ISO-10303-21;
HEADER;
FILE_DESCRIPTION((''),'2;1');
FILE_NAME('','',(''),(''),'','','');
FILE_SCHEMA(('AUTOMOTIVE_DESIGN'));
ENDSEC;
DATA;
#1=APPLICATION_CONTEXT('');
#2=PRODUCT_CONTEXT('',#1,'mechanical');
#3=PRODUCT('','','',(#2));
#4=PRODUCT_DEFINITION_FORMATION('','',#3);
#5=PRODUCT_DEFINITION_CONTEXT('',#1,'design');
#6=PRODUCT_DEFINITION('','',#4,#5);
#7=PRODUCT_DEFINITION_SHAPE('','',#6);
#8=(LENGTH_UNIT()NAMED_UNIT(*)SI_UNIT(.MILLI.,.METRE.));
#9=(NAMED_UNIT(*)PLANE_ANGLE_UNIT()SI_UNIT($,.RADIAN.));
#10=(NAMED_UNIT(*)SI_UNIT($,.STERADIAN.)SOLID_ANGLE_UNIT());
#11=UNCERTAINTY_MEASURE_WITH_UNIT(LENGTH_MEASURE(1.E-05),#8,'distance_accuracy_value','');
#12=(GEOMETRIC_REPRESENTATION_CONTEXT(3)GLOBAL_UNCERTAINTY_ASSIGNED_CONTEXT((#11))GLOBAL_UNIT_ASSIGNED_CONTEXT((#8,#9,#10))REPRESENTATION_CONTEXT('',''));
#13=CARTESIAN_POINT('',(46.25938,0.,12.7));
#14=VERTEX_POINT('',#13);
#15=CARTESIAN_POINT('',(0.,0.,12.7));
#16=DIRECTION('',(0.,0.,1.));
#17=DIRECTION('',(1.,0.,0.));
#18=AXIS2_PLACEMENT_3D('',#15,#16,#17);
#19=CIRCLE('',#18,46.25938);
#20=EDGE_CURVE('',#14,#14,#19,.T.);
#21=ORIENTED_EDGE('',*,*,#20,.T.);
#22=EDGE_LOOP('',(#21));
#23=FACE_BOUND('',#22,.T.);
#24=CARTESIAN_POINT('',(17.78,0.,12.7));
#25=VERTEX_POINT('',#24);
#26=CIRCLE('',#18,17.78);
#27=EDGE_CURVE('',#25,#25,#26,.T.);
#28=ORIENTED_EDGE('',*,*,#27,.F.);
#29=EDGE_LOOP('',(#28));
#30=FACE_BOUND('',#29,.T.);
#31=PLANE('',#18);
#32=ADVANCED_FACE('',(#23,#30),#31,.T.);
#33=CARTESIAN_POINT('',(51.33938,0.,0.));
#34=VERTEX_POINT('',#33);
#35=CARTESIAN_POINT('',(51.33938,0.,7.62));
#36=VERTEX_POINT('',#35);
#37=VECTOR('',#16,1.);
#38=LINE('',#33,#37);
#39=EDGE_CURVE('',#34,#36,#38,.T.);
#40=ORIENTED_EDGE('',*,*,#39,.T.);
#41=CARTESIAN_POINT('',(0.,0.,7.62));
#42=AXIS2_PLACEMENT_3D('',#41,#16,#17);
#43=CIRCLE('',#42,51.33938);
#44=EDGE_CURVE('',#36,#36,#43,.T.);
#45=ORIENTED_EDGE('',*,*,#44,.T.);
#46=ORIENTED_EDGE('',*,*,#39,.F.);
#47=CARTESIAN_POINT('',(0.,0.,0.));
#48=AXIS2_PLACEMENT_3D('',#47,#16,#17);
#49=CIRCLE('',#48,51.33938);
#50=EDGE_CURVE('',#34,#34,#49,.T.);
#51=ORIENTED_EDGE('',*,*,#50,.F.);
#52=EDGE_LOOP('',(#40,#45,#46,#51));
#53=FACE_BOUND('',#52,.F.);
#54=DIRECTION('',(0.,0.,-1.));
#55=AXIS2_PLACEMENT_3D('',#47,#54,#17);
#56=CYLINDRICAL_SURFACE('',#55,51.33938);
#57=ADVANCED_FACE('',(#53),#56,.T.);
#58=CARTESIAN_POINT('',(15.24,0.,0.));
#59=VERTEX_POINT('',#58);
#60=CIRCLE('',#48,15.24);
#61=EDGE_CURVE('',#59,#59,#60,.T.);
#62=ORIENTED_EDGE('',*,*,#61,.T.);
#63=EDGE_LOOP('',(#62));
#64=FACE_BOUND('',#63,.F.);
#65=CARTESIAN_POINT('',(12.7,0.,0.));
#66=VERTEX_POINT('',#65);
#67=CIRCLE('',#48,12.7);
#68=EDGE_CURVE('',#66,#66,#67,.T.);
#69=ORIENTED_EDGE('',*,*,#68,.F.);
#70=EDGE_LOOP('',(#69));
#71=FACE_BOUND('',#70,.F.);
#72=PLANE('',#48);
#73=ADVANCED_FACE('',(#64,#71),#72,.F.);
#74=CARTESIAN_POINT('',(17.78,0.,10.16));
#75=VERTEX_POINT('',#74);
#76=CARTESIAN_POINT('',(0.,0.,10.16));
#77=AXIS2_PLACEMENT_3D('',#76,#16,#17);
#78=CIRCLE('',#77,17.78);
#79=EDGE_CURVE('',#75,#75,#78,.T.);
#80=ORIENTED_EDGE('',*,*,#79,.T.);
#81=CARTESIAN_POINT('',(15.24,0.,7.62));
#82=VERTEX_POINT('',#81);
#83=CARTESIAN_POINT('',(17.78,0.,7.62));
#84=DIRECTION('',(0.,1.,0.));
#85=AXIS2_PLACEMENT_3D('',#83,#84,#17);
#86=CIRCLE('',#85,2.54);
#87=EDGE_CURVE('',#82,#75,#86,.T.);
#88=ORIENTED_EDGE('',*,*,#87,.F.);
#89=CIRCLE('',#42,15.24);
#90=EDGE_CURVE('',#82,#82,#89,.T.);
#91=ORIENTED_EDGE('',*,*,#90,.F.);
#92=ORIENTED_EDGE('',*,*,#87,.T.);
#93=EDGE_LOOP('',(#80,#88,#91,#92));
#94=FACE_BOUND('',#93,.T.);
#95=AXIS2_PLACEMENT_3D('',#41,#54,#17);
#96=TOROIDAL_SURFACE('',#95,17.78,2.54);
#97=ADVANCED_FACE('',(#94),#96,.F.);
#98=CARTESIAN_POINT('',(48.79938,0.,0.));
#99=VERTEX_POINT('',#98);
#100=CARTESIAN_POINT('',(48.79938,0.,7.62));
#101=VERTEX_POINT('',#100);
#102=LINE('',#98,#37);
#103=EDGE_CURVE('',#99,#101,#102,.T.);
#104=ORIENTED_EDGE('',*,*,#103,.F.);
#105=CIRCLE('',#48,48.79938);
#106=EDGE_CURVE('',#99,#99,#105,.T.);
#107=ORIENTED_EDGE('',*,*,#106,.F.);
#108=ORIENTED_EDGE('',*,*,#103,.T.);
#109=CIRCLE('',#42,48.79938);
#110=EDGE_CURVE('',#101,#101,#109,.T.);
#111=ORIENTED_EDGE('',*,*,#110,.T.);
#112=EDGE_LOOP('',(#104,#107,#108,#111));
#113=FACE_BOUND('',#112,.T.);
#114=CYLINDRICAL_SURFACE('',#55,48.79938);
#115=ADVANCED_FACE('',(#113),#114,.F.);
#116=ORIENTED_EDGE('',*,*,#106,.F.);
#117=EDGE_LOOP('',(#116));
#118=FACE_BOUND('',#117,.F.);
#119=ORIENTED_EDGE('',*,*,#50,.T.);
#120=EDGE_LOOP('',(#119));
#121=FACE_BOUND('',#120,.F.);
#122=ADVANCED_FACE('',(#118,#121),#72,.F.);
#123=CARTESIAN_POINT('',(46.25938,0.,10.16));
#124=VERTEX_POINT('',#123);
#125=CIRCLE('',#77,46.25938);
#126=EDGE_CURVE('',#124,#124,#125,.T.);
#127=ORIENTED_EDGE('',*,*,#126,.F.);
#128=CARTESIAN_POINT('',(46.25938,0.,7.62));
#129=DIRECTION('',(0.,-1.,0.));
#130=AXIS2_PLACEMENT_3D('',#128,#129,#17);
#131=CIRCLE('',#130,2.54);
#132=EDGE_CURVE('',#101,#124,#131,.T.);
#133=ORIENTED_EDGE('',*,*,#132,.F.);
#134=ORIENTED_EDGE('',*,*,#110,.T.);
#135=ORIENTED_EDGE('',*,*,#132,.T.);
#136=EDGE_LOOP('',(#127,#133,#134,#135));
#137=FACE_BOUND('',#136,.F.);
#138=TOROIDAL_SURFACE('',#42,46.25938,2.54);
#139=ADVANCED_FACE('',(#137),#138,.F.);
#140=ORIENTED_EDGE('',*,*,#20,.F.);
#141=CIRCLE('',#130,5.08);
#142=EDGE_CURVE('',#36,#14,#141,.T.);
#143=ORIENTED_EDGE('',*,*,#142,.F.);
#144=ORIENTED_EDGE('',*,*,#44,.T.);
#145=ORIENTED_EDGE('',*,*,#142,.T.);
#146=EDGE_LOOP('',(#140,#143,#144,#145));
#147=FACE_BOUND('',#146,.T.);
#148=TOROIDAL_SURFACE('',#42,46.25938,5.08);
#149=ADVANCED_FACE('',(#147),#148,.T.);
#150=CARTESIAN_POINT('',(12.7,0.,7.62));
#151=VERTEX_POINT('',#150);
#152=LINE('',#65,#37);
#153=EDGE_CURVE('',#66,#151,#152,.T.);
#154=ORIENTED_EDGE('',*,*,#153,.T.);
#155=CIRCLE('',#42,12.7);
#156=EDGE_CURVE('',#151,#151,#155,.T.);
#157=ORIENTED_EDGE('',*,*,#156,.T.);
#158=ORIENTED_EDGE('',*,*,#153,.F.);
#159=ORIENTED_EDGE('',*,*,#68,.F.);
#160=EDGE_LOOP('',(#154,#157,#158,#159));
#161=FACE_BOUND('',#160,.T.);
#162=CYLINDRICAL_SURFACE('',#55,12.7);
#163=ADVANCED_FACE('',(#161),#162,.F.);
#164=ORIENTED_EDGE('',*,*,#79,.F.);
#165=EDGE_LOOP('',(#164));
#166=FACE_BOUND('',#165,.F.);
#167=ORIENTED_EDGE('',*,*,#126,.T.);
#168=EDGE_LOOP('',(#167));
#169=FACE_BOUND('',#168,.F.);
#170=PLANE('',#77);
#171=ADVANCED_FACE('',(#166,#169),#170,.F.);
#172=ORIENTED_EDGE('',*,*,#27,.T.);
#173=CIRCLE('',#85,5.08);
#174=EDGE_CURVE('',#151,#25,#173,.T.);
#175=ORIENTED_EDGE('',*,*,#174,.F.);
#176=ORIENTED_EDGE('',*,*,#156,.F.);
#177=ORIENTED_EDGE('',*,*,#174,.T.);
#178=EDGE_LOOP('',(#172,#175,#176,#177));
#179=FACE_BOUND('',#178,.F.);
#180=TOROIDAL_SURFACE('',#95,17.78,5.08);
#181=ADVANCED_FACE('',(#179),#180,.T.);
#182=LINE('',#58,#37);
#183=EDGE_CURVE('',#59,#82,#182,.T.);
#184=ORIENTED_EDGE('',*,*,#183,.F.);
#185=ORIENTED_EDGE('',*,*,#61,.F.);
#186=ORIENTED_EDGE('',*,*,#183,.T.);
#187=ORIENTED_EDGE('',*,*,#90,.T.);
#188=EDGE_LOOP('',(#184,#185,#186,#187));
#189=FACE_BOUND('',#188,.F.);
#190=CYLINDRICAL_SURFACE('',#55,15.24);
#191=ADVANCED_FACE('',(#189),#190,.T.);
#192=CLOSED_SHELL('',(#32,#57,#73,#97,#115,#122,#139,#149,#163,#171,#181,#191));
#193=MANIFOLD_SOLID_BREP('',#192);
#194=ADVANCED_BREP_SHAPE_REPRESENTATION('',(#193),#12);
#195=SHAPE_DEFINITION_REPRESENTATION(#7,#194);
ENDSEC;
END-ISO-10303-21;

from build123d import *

# Parameters (mm, degrees)
F0_R     = 51.33938
F0_R_2   = 12.7
F1_DEPTH = 12.7
F2_R     = 5.08
F3_T     = -2.54


with BuildPart() as f1:
    # F0 (on Top) → F1 (new body)
    with BuildSketch(Plane.XY):
        Circle(F0_R)
        Circle(F0_R_2, mode=Mode.SUBTRACT)
    extrude(amount=F1_DEPTH)

    # F2
    f2_edges = [f1.edges().sort_by_distance(p)[0] for p in [
        (-51.33938, 0, 12.7),
        (-12.7, 0, 12.7),
    ]]
    fillet(f2_edges, radius=F2_R)

    # F3
    f3_openings = [f1.faces().sort_by_distance(p)[0] for p in [
        (-49.887283, 0, 0),
    ]]
    offset(amount=F3_T, openings=f3_openings)


solid = f1.part
